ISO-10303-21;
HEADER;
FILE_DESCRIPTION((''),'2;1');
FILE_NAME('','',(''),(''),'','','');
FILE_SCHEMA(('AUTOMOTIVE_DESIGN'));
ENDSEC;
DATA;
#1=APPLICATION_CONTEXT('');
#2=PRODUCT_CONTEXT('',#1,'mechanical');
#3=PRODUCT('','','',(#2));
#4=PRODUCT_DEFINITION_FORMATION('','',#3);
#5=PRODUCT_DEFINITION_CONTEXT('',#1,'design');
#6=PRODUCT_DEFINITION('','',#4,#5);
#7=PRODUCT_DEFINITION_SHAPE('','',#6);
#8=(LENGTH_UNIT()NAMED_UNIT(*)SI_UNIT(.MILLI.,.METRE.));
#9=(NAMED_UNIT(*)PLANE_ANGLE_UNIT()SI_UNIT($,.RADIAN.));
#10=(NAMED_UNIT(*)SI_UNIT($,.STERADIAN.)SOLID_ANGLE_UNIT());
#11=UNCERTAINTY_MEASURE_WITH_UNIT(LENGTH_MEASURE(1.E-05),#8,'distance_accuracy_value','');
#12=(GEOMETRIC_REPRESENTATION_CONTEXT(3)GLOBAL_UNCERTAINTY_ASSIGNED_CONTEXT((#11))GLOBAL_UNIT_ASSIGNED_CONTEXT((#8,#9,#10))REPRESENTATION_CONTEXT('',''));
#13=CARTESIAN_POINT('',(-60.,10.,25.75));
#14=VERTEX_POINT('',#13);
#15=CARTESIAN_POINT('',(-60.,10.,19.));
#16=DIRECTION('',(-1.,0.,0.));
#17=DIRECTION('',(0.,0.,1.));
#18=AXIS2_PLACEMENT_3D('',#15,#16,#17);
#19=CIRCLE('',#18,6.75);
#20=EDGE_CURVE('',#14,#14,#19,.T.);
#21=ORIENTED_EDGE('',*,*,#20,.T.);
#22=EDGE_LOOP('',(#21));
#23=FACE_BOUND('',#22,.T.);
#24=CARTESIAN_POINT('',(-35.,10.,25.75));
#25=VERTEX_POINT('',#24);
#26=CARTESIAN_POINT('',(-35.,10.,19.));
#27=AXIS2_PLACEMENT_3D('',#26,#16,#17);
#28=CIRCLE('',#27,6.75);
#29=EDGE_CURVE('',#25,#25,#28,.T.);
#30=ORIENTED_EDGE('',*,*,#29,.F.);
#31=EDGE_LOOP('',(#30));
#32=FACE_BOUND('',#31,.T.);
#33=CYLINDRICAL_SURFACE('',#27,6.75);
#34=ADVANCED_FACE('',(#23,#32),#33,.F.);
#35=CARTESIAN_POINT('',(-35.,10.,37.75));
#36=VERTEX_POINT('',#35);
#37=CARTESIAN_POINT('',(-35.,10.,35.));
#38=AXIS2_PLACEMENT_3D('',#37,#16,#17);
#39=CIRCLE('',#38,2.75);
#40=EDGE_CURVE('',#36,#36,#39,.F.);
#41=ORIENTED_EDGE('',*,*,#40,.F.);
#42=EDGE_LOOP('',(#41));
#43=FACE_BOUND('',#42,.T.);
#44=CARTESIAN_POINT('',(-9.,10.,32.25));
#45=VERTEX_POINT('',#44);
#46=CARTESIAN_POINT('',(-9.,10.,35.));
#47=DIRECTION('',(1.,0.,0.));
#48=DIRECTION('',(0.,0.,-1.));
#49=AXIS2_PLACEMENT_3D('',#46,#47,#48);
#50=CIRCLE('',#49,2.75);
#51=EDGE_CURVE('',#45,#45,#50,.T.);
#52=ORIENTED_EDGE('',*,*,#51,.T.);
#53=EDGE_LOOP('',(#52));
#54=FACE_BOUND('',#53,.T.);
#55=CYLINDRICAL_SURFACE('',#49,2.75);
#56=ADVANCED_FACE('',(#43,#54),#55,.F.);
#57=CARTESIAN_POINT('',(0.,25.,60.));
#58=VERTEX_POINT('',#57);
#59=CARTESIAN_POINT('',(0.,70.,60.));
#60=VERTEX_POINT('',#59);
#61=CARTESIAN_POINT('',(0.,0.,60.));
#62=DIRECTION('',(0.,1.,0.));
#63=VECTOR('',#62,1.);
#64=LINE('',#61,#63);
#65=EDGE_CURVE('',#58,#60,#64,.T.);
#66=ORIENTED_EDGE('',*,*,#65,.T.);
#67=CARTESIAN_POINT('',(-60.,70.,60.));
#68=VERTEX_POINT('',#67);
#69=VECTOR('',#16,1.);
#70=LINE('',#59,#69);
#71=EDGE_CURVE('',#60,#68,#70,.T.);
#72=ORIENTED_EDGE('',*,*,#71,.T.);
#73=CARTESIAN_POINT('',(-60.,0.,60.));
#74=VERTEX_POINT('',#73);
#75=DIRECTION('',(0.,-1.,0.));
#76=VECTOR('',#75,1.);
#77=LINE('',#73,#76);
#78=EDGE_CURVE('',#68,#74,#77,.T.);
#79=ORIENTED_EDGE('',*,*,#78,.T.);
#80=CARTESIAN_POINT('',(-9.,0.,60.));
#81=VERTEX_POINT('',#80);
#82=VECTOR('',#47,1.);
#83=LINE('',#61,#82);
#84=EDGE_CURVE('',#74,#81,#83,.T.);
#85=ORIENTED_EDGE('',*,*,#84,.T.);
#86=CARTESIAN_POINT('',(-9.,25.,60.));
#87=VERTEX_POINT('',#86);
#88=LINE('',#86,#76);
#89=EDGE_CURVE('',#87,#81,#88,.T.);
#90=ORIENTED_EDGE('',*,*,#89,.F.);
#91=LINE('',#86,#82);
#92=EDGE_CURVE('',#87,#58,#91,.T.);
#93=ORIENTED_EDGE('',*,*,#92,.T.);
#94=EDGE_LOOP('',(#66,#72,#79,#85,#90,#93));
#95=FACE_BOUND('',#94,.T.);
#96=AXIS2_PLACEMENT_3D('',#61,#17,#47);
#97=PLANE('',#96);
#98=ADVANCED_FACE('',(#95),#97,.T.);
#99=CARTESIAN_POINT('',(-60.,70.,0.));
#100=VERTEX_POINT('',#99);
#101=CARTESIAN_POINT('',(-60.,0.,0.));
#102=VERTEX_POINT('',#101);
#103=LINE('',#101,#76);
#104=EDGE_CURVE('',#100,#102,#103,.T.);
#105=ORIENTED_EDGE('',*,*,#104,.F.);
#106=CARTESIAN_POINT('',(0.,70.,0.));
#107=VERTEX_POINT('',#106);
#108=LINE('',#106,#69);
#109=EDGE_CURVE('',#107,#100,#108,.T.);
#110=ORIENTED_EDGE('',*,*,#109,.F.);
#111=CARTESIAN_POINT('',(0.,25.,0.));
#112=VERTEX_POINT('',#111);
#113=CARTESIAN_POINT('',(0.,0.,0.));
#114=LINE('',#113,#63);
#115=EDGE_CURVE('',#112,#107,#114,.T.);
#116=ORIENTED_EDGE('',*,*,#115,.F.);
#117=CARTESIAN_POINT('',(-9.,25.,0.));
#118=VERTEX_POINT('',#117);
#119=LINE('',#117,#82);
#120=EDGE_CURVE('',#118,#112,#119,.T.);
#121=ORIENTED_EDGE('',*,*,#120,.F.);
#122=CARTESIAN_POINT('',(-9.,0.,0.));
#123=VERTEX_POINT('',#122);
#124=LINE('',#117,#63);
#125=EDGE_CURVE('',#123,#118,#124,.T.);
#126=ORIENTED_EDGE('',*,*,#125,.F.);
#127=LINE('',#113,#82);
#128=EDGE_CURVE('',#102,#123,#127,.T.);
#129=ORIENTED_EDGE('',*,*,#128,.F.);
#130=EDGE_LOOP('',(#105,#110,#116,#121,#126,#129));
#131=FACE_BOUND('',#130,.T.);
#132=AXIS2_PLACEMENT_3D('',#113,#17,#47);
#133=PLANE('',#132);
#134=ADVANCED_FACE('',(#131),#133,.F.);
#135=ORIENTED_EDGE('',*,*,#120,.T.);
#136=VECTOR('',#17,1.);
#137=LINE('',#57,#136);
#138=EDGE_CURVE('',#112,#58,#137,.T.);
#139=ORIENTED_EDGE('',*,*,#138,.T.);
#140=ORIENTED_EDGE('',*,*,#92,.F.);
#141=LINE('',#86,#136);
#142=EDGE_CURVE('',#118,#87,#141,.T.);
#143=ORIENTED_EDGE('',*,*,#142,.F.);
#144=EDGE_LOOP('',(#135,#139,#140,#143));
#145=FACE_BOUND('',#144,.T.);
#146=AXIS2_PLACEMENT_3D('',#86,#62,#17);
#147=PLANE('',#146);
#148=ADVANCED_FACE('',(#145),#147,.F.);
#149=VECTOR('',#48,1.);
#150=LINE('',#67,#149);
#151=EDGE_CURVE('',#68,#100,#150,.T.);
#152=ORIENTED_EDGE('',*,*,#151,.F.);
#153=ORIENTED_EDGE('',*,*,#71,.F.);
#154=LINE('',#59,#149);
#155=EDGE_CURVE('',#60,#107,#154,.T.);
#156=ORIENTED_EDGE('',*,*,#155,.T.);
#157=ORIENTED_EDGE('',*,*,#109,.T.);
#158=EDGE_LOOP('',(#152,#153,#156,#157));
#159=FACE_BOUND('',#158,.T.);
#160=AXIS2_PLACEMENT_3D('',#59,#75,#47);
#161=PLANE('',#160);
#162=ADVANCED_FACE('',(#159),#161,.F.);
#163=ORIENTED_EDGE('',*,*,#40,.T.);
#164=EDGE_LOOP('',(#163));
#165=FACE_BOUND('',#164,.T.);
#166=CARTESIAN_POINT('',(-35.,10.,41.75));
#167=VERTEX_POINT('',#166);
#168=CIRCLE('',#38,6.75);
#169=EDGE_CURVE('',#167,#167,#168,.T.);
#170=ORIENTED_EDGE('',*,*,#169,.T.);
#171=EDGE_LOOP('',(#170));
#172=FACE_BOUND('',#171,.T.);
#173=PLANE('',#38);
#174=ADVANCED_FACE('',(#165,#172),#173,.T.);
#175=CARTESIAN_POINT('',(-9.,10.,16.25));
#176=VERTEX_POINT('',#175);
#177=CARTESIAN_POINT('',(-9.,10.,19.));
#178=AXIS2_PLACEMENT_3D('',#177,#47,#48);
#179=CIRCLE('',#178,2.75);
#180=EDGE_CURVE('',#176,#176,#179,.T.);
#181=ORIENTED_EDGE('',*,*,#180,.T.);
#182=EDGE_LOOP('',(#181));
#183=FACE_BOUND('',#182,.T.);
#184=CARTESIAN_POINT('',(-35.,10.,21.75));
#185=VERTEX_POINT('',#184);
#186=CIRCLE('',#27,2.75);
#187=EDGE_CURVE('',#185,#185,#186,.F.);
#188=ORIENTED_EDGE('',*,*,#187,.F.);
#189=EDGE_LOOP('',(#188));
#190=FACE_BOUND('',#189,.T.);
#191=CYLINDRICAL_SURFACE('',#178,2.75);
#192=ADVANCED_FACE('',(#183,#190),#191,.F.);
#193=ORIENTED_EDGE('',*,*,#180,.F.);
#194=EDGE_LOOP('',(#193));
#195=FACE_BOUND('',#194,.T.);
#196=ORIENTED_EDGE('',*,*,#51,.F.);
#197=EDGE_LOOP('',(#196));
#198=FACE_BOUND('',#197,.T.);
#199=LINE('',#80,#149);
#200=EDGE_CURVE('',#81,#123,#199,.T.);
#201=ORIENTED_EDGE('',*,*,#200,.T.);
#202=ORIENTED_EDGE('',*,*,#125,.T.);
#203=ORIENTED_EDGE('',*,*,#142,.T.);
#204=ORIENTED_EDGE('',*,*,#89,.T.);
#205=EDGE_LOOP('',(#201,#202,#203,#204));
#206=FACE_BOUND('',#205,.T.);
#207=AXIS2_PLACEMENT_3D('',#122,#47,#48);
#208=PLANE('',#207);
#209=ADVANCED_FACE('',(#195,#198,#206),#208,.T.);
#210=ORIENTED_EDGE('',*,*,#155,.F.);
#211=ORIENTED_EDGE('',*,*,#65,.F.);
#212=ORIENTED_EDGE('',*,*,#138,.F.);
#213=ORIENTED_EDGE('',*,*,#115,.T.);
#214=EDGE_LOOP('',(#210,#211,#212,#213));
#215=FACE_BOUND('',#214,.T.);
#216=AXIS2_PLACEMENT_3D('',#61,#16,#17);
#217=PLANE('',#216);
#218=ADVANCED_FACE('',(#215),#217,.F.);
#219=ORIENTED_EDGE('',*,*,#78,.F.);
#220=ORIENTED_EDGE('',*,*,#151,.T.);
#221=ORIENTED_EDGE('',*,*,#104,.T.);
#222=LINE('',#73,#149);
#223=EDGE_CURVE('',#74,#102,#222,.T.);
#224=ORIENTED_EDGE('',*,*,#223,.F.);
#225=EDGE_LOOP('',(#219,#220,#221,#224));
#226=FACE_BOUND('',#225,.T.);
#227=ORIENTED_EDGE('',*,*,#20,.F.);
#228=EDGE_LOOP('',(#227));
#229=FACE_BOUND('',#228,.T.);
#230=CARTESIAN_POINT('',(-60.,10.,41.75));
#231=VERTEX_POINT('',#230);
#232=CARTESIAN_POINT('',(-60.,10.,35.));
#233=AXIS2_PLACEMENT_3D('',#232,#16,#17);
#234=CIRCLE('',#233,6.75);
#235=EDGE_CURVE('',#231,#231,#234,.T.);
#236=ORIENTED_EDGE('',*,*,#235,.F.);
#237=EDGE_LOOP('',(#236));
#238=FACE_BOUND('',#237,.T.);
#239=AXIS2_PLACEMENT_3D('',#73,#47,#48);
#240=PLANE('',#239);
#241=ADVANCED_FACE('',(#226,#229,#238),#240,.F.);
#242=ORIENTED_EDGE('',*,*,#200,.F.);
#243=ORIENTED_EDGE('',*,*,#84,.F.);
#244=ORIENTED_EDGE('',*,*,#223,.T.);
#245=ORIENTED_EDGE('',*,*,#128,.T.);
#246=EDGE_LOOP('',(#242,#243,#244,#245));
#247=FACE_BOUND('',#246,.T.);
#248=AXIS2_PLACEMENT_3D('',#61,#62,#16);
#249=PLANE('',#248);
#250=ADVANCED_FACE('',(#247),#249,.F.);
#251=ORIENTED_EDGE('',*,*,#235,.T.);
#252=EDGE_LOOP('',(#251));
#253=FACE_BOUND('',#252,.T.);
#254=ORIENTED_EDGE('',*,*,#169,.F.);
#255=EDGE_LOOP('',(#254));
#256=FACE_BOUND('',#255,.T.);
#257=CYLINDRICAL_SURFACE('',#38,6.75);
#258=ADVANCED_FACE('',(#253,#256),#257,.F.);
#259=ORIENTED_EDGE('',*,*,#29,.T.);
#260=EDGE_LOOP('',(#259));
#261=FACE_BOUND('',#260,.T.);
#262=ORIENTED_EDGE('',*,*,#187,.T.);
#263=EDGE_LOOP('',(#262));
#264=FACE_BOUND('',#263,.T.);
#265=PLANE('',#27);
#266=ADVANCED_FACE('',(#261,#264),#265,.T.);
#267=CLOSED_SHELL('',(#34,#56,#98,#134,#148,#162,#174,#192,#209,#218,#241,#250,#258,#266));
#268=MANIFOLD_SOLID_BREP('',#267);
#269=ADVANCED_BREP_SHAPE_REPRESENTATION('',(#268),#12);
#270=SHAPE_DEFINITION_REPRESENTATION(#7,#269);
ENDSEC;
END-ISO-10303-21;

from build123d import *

# Parameters (mm, degrees)
SKETCH1_W            = 60
SKETCH1_H            = 70
BOSS_EXTRUDE1_DEPTH  = 60
SKETCH2_W            = 60
SKETCH2_H            = 25
CUT_EXTRUDE1_DEPTH   = 9
M5_CLEARANCE_HOLE1_D = 5.5
SKETCH12_R           = 6.75
CUT_EXTRUDE2_DEPTH   = 25


with BuildPart() as part:
    # Sketch1 → Boss-Extrude1 (new body)
    with BuildSketch(Plane.XY):
        with Locations((-30, 35)):
            Rectangle(SKETCH1_W, SKETCH1_H)
    extrude(amount=BOSS_EXTRUDE1_DEPTH)

    # Sketch2 → Cut-Extrude1 (cut)
    with BuildSketch(Plane(origin=(0, 0, 0), x_dir=(0, 0, -1), z_dir=(1, 0, 0))):
        with Locations((-30, 12.5)):
            Rectangle(SKETCH2_W, SKETCH2_H)
    extrude(amount=-CUT_EXTRUDE1_DEPTH, mode=Mode.SUBTRACT)

    # M5 Clearance Hole1 (through all)
    with Locations(Plane(origin=(-9, 10, 35), x_dir=(0, 0, 1), z_dir=(1, 0, 0))):
        with Locations((0, 0), (-16, 0)):
            Hole(M5_CLEARANCE_HOLE1_D / 2)

    # Sketch12 → Cut-Extrude2 (cut)
    with BuildSketch(Plane.ZY.offset(60)):
        with Locations((19, 10)):
            Circle(SKETCH12_R)
        with Locations((35, 10)):
            Circle(SKETCH12_R)
    extrude(amount=-CUT_EXTRUDE2_DEPTH, mode=Mode.SUBTRACT)


solid = part.part
